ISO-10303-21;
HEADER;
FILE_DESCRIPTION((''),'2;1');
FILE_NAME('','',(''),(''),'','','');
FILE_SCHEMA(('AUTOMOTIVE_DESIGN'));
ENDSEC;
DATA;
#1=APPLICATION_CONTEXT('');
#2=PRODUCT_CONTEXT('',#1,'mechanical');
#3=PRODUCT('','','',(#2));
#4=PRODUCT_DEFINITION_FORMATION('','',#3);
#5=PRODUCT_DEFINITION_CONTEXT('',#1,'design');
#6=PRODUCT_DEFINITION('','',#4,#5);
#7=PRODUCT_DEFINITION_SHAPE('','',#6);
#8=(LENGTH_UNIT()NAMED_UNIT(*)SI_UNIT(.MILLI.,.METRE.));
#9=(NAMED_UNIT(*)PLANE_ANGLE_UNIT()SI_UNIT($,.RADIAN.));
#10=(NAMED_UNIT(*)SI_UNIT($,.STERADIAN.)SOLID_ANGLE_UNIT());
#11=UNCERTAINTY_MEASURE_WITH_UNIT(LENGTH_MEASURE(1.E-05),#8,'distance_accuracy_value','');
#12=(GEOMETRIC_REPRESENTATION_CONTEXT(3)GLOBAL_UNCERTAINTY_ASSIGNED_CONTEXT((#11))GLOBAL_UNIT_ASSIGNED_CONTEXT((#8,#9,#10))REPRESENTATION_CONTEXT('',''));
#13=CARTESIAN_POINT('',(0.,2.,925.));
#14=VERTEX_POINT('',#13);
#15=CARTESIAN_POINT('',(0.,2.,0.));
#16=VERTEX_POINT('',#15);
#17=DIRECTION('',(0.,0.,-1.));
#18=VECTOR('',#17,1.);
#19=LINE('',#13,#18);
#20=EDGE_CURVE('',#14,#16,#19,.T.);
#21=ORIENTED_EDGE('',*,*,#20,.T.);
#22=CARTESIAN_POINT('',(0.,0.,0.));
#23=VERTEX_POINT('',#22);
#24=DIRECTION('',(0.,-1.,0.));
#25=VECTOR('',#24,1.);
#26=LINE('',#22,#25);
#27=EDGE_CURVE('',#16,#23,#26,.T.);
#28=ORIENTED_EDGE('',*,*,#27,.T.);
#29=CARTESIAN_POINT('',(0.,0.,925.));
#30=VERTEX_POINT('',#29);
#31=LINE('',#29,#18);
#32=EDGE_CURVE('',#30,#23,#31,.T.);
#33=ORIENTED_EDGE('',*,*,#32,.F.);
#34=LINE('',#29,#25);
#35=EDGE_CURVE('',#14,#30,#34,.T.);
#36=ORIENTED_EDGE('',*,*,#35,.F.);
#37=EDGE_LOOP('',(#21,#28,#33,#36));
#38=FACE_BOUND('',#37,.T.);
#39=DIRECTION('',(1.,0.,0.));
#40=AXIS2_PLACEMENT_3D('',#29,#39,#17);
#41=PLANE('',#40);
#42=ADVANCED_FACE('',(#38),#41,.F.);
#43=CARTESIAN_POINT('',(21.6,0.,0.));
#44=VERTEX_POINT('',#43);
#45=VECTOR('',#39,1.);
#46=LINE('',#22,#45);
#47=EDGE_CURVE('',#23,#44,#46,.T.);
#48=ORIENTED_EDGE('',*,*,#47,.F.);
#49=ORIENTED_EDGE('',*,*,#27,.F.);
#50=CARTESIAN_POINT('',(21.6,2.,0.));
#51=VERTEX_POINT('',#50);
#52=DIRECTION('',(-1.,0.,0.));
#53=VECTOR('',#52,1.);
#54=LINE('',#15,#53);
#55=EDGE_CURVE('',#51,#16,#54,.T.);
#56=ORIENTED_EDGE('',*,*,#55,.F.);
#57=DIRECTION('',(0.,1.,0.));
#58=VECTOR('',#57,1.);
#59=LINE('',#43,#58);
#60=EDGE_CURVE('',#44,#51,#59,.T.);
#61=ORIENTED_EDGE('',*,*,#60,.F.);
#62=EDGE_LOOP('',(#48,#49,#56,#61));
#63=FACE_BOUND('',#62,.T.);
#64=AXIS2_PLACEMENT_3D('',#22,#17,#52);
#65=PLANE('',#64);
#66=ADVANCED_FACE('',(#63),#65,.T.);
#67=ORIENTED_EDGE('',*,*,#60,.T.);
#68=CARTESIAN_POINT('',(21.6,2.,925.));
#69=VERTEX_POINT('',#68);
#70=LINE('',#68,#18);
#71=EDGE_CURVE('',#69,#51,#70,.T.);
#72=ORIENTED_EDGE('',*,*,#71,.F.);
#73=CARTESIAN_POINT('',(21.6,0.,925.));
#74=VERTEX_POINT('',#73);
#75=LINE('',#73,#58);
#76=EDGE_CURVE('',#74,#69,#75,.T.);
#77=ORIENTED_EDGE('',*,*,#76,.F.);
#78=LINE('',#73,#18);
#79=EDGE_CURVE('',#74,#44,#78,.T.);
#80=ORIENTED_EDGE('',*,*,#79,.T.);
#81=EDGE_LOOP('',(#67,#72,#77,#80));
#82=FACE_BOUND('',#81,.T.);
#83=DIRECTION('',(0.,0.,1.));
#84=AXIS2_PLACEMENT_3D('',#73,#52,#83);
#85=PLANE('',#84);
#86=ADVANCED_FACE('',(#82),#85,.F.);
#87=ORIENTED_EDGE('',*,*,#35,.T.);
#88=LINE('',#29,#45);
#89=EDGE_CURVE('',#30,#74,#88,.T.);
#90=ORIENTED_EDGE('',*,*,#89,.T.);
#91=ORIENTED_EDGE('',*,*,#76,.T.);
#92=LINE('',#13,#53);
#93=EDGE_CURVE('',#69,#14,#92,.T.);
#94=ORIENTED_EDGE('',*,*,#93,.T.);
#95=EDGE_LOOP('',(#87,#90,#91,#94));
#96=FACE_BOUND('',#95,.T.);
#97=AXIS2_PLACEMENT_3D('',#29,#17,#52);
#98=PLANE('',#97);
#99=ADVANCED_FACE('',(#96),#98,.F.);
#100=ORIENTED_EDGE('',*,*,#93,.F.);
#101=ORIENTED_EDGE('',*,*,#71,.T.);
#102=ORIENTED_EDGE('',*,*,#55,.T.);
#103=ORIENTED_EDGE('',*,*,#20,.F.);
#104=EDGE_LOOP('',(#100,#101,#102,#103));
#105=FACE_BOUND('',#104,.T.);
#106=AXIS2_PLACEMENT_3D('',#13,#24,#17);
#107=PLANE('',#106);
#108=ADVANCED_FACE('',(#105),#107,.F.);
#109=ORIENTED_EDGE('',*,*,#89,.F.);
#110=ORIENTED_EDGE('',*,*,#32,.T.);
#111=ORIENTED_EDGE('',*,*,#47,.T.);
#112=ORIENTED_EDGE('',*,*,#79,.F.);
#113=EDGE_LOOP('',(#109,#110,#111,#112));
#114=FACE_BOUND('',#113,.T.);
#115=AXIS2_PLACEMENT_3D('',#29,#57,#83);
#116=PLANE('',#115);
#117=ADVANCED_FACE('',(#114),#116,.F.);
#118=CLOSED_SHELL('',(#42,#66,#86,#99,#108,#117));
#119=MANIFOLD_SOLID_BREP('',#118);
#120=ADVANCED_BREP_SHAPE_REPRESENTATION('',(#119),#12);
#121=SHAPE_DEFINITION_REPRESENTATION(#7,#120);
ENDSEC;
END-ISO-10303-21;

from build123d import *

# Parameters (mm, degrees)
SKETCH1_W           = 21.6
SKETCH1_H           = 2
BOSS_EXTRUDE1_DEPTH = 925


with BuildPart() as part:
    # Sketch1 → Boss-Extrude1 (new body)
    with BuildSketch(Plane.XY):
        with Locations((10.8, 1)):
            Rectangle(SKETCH1_W, SKETCH1_H)
    extrude(amount=BOSS_EXTRUDE1_DEPTH)


solid = part.part
